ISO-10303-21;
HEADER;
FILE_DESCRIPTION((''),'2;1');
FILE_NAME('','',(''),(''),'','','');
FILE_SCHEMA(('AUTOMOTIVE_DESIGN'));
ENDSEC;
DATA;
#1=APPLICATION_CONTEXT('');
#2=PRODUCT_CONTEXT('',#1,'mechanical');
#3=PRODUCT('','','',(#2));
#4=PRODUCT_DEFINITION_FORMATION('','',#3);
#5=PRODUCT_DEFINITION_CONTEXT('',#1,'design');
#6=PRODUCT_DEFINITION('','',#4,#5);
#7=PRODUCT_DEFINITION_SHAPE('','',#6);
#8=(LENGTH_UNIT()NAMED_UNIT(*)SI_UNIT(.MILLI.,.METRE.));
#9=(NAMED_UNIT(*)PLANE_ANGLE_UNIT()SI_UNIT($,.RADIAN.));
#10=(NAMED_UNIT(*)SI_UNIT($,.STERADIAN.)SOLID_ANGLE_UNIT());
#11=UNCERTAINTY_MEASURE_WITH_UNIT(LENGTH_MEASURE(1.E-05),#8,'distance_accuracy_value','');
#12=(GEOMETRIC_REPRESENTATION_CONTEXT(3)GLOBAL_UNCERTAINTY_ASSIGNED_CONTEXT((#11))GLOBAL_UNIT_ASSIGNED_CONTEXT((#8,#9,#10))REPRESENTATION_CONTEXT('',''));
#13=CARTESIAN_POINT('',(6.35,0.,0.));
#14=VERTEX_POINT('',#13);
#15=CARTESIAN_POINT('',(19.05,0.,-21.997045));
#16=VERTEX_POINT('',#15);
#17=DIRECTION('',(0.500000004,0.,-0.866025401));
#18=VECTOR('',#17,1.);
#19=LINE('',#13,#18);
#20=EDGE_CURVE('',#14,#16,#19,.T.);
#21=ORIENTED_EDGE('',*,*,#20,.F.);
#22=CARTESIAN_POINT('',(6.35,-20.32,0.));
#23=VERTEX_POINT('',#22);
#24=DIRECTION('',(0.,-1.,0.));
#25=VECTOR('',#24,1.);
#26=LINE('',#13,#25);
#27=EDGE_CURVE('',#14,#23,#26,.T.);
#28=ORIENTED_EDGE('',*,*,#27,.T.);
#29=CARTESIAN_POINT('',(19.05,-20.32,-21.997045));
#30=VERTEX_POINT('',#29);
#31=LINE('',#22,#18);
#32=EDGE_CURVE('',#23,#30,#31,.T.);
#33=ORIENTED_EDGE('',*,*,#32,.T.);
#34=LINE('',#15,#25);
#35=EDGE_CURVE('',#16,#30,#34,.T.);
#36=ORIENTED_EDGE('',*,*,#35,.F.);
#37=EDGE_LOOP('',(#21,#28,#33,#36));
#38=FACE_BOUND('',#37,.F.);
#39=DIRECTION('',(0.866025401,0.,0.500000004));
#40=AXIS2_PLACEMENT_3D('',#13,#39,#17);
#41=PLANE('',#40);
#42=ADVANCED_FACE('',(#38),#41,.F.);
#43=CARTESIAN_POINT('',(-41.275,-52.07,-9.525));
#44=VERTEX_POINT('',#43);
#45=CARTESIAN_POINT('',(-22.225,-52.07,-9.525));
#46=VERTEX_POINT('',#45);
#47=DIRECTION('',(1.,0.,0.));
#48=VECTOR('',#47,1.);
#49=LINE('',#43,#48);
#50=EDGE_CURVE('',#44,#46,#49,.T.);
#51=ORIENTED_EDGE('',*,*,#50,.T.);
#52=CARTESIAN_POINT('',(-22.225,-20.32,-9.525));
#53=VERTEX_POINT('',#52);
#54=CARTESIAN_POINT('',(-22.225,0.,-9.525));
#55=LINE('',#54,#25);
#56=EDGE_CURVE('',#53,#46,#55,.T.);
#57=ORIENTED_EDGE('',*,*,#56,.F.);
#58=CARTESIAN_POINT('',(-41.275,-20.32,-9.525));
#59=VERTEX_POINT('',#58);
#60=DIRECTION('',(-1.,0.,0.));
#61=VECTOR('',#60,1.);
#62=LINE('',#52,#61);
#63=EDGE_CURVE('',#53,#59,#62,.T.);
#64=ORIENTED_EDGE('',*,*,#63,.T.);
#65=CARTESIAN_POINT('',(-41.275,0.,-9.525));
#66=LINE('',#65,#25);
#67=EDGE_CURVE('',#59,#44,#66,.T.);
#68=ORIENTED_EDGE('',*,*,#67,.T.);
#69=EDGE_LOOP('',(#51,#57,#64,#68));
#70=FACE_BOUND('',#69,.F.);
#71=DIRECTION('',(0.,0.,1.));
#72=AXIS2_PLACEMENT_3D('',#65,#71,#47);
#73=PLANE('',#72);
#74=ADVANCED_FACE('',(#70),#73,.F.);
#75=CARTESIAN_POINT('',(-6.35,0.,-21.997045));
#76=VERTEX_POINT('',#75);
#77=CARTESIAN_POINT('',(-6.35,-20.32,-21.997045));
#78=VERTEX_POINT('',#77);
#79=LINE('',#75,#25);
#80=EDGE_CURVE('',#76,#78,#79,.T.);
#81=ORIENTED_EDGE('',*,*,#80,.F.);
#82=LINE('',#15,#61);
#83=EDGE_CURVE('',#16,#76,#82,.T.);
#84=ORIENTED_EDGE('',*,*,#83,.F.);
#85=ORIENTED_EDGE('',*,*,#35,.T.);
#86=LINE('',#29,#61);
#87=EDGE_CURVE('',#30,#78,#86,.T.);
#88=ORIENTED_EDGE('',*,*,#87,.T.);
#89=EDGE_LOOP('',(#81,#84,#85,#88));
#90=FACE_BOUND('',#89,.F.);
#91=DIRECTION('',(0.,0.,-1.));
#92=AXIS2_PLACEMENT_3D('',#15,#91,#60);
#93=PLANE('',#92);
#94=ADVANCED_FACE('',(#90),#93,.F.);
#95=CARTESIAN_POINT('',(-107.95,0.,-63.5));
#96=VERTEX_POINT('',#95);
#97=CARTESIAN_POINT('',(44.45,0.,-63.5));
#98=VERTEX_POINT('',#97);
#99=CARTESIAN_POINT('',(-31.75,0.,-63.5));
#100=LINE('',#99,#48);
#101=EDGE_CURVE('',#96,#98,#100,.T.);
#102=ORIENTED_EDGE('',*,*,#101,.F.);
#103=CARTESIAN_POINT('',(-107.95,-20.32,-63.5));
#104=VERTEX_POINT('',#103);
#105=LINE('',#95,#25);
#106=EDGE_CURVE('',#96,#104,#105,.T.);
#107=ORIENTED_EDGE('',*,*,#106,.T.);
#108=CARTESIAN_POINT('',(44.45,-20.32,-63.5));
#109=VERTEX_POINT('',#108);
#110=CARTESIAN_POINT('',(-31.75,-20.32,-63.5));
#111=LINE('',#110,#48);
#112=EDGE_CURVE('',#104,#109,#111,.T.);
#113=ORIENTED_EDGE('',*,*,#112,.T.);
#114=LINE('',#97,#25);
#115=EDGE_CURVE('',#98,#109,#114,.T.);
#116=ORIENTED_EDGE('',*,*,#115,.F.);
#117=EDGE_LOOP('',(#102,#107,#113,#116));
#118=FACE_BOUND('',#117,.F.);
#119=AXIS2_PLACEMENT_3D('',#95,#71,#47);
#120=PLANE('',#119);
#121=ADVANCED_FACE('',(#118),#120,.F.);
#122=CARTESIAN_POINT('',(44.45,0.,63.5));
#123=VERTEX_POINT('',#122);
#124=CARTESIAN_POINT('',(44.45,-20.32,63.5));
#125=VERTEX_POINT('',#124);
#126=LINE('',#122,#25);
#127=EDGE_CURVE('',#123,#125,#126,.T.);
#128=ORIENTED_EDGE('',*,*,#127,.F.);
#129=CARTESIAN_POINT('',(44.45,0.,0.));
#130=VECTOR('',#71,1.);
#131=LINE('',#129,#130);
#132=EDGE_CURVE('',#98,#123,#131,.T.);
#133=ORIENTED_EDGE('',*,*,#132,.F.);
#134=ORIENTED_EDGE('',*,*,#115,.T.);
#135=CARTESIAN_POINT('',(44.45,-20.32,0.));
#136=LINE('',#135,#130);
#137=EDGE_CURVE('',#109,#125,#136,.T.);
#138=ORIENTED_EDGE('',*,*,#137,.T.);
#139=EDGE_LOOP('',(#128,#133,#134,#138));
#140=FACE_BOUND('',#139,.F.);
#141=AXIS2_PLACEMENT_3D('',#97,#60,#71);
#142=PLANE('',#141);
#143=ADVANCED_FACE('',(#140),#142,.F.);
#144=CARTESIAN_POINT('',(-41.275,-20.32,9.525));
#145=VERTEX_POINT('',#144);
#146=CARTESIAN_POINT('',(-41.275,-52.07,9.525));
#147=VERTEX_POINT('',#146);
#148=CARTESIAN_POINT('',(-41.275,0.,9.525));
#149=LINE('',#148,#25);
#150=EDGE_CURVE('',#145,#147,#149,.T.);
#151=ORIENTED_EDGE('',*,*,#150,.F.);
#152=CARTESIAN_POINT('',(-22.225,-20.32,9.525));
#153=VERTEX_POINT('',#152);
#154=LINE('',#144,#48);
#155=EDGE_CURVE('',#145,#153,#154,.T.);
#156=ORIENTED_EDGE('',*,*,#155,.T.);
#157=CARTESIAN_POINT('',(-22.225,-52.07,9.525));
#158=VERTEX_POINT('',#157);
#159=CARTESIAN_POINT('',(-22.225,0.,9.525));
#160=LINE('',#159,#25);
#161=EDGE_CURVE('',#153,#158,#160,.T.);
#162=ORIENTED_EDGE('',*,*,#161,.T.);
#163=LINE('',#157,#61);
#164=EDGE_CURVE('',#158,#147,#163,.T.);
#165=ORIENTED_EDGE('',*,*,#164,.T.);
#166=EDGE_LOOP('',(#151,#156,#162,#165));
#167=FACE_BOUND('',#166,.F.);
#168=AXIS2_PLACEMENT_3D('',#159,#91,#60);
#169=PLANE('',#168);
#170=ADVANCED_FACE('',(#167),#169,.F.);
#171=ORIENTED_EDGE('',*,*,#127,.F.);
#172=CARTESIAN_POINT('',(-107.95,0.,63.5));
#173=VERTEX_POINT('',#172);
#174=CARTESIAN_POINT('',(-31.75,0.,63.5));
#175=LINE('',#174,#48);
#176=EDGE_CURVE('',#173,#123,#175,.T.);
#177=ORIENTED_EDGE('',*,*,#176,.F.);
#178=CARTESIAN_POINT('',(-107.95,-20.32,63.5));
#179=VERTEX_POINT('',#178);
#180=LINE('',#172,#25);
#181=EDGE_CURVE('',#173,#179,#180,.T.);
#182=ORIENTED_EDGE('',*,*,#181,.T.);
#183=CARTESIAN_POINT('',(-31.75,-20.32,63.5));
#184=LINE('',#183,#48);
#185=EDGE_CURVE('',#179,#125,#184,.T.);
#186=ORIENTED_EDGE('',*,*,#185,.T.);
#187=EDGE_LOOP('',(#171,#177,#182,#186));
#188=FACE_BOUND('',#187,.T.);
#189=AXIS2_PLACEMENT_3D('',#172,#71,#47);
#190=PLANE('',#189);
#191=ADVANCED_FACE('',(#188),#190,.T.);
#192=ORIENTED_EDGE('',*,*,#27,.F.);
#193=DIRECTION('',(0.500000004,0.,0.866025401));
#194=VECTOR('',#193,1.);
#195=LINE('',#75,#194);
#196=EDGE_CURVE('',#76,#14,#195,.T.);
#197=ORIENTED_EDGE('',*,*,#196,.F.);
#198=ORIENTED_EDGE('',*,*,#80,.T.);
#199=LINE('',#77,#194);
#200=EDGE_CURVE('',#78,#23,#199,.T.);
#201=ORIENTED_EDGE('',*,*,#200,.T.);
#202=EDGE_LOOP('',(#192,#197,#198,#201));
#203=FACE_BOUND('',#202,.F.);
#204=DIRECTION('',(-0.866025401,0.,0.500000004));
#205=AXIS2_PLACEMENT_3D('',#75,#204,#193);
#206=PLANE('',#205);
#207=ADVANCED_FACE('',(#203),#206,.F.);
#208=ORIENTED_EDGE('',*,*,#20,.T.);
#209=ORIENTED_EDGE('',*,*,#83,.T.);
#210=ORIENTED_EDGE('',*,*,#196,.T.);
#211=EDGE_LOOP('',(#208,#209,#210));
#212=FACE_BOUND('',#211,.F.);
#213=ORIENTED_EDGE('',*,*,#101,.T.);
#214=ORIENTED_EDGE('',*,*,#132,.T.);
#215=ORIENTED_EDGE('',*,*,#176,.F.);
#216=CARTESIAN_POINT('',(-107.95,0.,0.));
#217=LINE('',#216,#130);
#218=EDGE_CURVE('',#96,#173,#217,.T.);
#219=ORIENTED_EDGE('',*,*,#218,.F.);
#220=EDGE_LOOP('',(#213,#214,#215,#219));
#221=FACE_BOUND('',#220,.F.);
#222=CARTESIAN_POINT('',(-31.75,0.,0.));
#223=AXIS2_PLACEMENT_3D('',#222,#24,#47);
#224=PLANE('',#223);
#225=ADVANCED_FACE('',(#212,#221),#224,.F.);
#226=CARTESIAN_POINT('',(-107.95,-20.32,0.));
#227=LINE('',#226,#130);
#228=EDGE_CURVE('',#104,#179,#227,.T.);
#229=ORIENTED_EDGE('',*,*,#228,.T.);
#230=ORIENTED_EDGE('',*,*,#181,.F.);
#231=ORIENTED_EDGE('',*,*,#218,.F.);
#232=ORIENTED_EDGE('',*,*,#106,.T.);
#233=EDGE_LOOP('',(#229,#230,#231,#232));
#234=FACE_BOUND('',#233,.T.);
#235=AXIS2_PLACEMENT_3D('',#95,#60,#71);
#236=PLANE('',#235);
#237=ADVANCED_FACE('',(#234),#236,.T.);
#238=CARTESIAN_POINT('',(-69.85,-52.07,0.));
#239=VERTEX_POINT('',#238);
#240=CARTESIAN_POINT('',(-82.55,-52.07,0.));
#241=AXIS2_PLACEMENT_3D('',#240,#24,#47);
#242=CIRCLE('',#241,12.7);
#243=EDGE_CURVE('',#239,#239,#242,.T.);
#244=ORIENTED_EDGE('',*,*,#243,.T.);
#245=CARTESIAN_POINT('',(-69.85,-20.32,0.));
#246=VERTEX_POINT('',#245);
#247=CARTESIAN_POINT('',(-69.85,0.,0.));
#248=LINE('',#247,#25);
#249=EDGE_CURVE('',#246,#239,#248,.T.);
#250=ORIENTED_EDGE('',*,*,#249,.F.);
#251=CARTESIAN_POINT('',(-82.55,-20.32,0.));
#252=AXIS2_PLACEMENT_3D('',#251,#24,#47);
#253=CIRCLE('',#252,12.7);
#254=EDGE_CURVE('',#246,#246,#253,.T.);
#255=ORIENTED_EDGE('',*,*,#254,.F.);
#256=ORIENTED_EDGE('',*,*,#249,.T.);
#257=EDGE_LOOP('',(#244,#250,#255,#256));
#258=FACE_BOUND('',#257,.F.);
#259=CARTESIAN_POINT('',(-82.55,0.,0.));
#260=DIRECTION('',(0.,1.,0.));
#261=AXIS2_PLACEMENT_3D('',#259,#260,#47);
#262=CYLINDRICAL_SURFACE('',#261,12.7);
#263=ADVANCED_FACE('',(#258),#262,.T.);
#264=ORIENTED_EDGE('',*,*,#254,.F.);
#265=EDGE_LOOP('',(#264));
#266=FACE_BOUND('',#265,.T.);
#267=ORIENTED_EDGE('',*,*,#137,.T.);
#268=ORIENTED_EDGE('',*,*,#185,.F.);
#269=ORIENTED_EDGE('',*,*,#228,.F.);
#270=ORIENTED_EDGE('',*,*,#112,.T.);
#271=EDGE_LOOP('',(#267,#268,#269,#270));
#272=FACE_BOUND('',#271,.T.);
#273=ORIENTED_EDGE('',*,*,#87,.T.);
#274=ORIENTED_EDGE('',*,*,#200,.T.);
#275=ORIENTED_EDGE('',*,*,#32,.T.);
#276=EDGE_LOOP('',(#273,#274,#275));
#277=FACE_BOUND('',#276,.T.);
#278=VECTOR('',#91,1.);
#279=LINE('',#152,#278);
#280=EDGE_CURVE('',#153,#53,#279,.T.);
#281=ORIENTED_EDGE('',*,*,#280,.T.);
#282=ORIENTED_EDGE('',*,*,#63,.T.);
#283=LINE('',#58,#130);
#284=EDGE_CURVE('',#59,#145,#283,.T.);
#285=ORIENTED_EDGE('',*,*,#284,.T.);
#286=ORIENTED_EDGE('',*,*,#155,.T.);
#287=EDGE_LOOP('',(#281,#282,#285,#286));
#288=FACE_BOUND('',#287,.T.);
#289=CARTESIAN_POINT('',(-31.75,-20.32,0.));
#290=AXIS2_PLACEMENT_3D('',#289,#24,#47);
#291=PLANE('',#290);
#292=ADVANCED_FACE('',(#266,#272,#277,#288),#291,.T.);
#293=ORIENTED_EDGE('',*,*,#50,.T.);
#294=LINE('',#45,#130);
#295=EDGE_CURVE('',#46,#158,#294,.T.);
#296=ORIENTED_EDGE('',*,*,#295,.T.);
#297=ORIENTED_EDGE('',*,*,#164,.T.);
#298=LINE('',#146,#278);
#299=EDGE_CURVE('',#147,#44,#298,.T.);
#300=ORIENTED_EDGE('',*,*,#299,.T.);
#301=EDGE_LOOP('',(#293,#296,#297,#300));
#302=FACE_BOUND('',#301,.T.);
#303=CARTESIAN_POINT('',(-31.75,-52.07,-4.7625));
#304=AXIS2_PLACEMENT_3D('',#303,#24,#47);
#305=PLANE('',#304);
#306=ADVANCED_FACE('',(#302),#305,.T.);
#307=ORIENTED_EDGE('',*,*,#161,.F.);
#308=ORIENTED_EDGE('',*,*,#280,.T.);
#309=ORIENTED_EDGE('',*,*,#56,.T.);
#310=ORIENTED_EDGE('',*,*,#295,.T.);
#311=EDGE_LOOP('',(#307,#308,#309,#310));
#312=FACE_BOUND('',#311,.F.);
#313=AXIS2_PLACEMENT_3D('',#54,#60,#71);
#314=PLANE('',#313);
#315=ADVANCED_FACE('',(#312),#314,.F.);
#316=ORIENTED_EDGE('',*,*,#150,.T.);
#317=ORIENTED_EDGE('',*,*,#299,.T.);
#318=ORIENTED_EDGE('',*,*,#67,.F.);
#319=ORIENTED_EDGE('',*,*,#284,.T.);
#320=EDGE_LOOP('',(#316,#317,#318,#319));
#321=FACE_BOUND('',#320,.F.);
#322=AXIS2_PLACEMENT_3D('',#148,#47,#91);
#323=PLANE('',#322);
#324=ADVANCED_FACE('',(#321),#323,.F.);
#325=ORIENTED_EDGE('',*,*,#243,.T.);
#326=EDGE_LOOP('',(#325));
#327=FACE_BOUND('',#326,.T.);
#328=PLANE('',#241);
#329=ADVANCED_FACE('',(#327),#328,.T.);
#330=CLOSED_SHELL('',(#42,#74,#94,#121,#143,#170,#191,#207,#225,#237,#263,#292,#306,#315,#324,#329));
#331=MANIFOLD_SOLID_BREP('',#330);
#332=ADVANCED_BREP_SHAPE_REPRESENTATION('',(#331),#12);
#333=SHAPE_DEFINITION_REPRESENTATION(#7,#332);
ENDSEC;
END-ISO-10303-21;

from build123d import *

# Parameters (mm, degrees)
F0_W     = 152.4
F0_H     = 127
F0_R     = 12.7
F1_DEPTH = 20.32
F2_DEPTH = 52.07
F3_DEPTH = 52.07


with BuildPart() as f1:
    # F0 (on Front) → F1 (new body)
    with BuildSketch(Plane.XZ):
        with Locations((-31.75, 0)):
            Rectangle(F0_W, F0_H)
        Polygon((-6.35, -21.997045), (6.35, 0), (19.05, -21.997045), align=None, mode=Mode.SUBTRACT)
        with Locations((-82.55, 0)):
            Circle(F0_R, mode=Mode.SUBTRACT)
        Polygon((-22.225, 9.525), (-22.225, 0), (-22.225, -9.525), (-41.275, -9.525), (-41.275, 0), (-41.275, 9.525), align=None, mode=Mode.SUBTRACT)
    extrude(amount=F1_DEPTH)

    # F0 (on Front) → F2 (join)
    with BuildSketch(Plane.XZ):
        with Locations((-82.55, 0)):
            Circle(F0_R)
    extrude(amount=F2_DEPTH)

    # F0 (on Front) → F3 (join)
    with BuildSketch(Plane.XZ):
        Polygon((-22.225, -9.525), (-22.225, 0), (-31.75, 0), (-41.275, 0), (-41.275, -9.525), align=None)
        Polygon((-31.75, 0), (-22.225, 0), (-22.225, 9.525), (-41.275, 9.525), (-41.275, 0), align=None)
    extrude(amount=F3_DEPTH)


solid = f1.part
